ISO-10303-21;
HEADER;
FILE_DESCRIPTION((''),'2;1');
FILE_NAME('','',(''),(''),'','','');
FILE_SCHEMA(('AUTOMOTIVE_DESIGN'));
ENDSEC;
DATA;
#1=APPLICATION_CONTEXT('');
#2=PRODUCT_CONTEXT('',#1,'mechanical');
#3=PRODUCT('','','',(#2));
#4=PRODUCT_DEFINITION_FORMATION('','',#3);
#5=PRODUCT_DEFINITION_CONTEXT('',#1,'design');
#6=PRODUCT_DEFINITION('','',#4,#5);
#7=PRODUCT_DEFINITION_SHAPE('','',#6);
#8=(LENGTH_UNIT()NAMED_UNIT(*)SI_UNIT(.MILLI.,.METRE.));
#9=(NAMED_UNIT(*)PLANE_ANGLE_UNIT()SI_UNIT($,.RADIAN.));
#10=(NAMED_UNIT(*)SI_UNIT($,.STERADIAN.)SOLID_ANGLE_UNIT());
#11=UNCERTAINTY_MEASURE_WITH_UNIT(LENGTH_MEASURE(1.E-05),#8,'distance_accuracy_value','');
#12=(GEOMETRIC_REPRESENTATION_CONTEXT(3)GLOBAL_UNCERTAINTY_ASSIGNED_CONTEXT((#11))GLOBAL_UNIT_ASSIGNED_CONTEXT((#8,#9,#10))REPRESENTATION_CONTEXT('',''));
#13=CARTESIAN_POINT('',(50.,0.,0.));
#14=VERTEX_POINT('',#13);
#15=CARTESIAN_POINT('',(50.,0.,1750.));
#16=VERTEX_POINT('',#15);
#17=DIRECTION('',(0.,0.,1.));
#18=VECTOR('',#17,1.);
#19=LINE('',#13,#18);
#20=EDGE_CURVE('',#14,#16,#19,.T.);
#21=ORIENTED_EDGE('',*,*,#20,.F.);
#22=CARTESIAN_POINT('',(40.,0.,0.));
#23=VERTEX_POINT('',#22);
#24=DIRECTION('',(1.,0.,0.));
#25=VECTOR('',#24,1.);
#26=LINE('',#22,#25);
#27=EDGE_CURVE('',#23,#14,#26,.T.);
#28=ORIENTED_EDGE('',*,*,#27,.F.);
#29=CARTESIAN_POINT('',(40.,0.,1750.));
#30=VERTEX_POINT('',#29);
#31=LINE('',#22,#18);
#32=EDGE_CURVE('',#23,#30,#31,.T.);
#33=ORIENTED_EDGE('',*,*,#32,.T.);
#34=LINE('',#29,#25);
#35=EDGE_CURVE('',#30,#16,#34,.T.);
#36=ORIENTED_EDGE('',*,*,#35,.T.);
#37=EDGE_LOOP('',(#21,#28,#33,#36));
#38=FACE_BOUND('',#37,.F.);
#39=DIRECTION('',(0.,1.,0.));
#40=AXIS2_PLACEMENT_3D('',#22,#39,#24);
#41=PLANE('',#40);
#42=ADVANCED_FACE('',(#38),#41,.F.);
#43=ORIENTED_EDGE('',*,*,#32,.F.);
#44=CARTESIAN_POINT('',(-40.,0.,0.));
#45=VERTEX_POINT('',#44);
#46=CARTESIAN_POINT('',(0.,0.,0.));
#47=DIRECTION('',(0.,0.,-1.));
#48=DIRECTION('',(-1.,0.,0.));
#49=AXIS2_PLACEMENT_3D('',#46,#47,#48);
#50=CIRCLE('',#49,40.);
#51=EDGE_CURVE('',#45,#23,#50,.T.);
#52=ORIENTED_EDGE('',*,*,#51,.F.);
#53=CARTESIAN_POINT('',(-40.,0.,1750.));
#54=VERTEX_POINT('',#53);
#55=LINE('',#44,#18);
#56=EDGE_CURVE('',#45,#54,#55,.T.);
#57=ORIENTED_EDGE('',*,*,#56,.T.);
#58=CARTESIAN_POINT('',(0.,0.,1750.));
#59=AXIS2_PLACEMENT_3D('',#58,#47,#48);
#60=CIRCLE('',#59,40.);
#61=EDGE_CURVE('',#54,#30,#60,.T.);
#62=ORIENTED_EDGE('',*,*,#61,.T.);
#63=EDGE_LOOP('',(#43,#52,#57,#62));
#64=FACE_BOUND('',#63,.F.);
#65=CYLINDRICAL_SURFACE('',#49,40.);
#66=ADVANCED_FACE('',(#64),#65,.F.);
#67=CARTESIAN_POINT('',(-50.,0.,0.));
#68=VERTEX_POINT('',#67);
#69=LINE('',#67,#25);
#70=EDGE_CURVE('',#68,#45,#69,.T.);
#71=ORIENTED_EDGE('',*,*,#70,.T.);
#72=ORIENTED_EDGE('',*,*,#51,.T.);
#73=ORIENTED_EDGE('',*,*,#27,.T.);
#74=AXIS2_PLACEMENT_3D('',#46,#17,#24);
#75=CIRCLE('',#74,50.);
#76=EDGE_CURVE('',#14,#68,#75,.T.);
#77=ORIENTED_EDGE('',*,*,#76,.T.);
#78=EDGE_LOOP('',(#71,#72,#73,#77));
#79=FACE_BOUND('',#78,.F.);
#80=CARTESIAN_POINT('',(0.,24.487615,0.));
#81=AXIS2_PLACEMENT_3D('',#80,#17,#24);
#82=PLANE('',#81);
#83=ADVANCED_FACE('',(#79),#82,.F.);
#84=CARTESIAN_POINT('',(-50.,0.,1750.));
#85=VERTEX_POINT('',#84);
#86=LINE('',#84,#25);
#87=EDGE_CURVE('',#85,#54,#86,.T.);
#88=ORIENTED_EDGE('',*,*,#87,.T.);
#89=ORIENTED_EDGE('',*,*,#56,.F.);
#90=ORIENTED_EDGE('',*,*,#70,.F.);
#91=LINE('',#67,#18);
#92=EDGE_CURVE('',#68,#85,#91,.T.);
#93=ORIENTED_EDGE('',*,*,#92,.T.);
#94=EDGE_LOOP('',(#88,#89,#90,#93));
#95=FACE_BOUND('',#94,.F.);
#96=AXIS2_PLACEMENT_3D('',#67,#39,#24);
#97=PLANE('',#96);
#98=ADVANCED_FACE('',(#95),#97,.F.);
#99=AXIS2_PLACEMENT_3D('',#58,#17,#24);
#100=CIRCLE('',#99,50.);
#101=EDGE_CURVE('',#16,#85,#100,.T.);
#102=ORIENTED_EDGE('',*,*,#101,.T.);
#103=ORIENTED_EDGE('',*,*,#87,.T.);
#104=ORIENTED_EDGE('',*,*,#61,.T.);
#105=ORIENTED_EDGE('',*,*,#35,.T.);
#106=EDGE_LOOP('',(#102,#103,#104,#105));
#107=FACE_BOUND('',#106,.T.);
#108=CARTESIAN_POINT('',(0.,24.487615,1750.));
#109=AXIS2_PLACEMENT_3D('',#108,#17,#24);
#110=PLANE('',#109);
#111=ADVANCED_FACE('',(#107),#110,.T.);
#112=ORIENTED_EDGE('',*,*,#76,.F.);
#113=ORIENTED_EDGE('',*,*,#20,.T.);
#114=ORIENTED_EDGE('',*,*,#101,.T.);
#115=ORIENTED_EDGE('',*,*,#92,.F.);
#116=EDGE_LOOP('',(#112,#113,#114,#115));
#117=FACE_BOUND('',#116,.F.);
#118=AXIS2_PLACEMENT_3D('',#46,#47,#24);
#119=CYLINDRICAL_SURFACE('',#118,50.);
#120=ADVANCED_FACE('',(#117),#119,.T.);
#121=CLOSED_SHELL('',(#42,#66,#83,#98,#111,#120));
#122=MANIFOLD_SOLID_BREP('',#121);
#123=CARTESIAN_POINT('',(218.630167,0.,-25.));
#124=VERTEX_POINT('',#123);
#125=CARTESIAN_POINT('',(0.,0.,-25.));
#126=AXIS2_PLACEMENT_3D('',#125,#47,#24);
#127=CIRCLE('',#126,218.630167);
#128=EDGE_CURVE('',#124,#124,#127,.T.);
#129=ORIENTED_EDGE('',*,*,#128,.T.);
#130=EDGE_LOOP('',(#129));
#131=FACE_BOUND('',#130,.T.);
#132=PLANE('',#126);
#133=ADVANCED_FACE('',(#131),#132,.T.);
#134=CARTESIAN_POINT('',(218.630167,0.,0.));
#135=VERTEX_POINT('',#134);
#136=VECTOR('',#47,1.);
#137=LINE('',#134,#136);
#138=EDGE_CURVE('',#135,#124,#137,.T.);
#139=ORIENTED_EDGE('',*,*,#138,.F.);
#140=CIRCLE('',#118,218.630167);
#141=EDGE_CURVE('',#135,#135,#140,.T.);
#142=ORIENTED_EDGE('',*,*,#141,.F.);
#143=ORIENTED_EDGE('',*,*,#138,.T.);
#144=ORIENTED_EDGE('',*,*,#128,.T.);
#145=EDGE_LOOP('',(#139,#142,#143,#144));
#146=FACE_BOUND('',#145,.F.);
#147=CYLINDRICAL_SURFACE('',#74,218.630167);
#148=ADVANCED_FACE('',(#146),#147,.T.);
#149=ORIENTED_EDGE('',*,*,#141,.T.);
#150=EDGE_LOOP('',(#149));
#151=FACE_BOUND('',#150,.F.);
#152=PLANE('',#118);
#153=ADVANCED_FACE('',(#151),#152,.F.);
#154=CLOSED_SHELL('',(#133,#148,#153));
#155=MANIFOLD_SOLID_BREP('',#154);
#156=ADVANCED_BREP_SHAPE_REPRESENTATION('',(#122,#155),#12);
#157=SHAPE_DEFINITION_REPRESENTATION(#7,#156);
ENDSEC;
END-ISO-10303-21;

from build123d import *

# Parameters (mm, degrees)
F1_DEPTH = 1750
F2_R     = 218.630167
F3_DEPTH = 25


with BuildPart() as f1:
    # F0 (on Top) → F1 (new body)
    with BuildSketch(Plane.XY):
        with BuildLine():
            Line((40, 0), (50, 0))
            ThreePointArc((50, 0), (0, 50), (-50, 0))
            Line((-50, 0), (-40, 0))
            ThreePointArc((-40, 0), (0, 40), (40, 0))
        make_face()
    extrude(amount=F1_DEPTH)


with BuildPart() as f3:
    # F2 (on face) → F3 (new body)
    with BuildSketch(Plane(origin=(0, 0, 0), x_dir=(1, 0, 0), z_dir=(0, 0, -1))):
        Circle(F2_R)
    extrude(amount=F3_DEPTH)


solid = Compound([f1.part, f3.part])
